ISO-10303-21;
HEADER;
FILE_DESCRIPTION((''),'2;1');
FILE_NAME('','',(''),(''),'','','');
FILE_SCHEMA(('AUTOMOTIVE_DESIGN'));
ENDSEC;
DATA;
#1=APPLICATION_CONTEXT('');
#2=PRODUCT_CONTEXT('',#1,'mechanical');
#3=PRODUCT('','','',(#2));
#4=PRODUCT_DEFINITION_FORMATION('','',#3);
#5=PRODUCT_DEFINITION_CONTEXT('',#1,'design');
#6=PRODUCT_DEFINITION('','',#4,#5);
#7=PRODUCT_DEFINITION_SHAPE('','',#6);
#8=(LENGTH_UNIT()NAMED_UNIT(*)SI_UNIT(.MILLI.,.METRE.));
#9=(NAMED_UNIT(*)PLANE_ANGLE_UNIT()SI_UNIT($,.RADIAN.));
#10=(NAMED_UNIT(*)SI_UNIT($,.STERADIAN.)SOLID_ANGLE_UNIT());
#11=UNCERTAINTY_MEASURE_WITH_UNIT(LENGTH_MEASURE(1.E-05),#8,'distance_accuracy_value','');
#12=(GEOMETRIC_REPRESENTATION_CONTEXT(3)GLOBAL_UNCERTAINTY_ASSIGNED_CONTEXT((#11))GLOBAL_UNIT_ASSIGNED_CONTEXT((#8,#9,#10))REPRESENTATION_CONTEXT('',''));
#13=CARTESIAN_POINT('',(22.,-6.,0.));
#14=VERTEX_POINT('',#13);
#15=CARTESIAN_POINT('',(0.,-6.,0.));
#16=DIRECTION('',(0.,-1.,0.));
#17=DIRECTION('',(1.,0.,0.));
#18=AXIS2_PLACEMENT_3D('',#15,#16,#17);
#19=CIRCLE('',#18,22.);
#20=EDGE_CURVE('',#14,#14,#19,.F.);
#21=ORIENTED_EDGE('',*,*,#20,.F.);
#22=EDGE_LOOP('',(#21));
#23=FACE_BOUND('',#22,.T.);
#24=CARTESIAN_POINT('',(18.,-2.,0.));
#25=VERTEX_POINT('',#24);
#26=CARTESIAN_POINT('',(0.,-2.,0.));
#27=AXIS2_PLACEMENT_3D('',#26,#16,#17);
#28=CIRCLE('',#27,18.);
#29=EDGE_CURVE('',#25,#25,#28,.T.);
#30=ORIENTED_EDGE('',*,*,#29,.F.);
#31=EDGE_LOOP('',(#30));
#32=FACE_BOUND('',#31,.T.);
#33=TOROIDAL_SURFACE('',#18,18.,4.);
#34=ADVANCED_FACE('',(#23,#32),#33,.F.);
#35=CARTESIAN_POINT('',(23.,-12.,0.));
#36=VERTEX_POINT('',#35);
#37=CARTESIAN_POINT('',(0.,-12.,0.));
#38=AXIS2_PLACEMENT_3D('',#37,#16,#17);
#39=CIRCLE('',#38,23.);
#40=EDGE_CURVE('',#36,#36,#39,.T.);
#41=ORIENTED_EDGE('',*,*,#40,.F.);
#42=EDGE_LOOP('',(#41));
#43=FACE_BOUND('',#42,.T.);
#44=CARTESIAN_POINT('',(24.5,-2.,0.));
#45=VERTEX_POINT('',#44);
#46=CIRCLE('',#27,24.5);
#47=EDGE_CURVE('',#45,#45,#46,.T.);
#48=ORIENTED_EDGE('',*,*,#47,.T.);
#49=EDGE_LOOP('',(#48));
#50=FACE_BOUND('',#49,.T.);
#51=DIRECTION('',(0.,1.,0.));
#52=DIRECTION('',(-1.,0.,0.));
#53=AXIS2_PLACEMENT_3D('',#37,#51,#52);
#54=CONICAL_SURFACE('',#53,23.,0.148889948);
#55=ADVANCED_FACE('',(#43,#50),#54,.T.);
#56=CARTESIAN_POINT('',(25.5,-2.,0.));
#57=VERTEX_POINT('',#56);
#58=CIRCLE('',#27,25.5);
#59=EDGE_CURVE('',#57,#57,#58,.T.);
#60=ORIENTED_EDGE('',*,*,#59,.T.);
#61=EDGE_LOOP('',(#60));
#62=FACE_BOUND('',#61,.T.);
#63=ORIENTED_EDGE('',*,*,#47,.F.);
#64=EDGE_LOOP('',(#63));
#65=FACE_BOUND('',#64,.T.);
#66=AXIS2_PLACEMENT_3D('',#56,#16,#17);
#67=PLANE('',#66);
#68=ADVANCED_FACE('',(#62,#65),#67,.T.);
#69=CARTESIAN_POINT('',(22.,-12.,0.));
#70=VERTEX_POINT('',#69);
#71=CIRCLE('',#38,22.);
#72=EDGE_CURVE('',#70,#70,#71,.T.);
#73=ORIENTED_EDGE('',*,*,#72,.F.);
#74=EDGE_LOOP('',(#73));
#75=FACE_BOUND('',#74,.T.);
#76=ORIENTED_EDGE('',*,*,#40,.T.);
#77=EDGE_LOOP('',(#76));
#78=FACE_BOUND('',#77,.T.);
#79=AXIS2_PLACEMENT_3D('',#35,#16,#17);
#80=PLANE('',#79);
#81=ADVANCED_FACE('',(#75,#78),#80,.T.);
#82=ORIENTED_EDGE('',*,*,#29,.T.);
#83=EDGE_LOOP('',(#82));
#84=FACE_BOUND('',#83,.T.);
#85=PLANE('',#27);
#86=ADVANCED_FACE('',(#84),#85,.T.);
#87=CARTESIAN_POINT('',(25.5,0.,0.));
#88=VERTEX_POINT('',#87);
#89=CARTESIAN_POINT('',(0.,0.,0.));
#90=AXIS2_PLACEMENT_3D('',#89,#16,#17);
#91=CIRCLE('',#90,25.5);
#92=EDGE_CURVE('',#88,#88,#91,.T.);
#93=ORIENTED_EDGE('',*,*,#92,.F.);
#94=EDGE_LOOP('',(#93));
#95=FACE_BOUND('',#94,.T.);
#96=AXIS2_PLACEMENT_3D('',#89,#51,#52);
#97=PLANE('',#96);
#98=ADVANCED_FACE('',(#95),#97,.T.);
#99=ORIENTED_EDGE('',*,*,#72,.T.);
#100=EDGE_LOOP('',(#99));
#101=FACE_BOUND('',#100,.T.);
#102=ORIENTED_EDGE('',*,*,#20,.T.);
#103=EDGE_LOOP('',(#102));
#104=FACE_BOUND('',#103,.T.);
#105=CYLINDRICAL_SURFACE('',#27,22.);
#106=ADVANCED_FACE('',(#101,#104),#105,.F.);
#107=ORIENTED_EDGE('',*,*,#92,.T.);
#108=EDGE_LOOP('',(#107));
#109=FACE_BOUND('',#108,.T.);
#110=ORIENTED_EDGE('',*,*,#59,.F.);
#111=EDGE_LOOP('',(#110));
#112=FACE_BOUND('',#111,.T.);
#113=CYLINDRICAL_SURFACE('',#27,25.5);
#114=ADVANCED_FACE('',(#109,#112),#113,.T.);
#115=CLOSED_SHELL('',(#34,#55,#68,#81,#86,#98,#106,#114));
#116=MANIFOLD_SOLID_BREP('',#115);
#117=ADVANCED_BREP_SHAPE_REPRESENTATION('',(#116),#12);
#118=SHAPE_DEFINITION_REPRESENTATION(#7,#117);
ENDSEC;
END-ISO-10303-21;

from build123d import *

# Parameters (mm, degrees)
FILLET1_R = 4


with BuildPart() as part:
    # Sketch2 → Revolve3 (revolve)
    with BuildSketch(Plane.XY):
        Polygon((22, -12), (22, -2), (0, -2), (0, 0), (25.5, 0), (25.5, -2), (24.5, -2), (23, -12), align=None)
    revolve(axis=Axis((0, -2, 0), (0, 1, 0)))

    # Fillet1
    fillet1_edges = [part.edges().sort_by_distance(p)[0] for p in [
        (-22, -2, 0),
    ]]
    fillet(fillet1_edges, radius=FILLET1_R)


solid = part.part
